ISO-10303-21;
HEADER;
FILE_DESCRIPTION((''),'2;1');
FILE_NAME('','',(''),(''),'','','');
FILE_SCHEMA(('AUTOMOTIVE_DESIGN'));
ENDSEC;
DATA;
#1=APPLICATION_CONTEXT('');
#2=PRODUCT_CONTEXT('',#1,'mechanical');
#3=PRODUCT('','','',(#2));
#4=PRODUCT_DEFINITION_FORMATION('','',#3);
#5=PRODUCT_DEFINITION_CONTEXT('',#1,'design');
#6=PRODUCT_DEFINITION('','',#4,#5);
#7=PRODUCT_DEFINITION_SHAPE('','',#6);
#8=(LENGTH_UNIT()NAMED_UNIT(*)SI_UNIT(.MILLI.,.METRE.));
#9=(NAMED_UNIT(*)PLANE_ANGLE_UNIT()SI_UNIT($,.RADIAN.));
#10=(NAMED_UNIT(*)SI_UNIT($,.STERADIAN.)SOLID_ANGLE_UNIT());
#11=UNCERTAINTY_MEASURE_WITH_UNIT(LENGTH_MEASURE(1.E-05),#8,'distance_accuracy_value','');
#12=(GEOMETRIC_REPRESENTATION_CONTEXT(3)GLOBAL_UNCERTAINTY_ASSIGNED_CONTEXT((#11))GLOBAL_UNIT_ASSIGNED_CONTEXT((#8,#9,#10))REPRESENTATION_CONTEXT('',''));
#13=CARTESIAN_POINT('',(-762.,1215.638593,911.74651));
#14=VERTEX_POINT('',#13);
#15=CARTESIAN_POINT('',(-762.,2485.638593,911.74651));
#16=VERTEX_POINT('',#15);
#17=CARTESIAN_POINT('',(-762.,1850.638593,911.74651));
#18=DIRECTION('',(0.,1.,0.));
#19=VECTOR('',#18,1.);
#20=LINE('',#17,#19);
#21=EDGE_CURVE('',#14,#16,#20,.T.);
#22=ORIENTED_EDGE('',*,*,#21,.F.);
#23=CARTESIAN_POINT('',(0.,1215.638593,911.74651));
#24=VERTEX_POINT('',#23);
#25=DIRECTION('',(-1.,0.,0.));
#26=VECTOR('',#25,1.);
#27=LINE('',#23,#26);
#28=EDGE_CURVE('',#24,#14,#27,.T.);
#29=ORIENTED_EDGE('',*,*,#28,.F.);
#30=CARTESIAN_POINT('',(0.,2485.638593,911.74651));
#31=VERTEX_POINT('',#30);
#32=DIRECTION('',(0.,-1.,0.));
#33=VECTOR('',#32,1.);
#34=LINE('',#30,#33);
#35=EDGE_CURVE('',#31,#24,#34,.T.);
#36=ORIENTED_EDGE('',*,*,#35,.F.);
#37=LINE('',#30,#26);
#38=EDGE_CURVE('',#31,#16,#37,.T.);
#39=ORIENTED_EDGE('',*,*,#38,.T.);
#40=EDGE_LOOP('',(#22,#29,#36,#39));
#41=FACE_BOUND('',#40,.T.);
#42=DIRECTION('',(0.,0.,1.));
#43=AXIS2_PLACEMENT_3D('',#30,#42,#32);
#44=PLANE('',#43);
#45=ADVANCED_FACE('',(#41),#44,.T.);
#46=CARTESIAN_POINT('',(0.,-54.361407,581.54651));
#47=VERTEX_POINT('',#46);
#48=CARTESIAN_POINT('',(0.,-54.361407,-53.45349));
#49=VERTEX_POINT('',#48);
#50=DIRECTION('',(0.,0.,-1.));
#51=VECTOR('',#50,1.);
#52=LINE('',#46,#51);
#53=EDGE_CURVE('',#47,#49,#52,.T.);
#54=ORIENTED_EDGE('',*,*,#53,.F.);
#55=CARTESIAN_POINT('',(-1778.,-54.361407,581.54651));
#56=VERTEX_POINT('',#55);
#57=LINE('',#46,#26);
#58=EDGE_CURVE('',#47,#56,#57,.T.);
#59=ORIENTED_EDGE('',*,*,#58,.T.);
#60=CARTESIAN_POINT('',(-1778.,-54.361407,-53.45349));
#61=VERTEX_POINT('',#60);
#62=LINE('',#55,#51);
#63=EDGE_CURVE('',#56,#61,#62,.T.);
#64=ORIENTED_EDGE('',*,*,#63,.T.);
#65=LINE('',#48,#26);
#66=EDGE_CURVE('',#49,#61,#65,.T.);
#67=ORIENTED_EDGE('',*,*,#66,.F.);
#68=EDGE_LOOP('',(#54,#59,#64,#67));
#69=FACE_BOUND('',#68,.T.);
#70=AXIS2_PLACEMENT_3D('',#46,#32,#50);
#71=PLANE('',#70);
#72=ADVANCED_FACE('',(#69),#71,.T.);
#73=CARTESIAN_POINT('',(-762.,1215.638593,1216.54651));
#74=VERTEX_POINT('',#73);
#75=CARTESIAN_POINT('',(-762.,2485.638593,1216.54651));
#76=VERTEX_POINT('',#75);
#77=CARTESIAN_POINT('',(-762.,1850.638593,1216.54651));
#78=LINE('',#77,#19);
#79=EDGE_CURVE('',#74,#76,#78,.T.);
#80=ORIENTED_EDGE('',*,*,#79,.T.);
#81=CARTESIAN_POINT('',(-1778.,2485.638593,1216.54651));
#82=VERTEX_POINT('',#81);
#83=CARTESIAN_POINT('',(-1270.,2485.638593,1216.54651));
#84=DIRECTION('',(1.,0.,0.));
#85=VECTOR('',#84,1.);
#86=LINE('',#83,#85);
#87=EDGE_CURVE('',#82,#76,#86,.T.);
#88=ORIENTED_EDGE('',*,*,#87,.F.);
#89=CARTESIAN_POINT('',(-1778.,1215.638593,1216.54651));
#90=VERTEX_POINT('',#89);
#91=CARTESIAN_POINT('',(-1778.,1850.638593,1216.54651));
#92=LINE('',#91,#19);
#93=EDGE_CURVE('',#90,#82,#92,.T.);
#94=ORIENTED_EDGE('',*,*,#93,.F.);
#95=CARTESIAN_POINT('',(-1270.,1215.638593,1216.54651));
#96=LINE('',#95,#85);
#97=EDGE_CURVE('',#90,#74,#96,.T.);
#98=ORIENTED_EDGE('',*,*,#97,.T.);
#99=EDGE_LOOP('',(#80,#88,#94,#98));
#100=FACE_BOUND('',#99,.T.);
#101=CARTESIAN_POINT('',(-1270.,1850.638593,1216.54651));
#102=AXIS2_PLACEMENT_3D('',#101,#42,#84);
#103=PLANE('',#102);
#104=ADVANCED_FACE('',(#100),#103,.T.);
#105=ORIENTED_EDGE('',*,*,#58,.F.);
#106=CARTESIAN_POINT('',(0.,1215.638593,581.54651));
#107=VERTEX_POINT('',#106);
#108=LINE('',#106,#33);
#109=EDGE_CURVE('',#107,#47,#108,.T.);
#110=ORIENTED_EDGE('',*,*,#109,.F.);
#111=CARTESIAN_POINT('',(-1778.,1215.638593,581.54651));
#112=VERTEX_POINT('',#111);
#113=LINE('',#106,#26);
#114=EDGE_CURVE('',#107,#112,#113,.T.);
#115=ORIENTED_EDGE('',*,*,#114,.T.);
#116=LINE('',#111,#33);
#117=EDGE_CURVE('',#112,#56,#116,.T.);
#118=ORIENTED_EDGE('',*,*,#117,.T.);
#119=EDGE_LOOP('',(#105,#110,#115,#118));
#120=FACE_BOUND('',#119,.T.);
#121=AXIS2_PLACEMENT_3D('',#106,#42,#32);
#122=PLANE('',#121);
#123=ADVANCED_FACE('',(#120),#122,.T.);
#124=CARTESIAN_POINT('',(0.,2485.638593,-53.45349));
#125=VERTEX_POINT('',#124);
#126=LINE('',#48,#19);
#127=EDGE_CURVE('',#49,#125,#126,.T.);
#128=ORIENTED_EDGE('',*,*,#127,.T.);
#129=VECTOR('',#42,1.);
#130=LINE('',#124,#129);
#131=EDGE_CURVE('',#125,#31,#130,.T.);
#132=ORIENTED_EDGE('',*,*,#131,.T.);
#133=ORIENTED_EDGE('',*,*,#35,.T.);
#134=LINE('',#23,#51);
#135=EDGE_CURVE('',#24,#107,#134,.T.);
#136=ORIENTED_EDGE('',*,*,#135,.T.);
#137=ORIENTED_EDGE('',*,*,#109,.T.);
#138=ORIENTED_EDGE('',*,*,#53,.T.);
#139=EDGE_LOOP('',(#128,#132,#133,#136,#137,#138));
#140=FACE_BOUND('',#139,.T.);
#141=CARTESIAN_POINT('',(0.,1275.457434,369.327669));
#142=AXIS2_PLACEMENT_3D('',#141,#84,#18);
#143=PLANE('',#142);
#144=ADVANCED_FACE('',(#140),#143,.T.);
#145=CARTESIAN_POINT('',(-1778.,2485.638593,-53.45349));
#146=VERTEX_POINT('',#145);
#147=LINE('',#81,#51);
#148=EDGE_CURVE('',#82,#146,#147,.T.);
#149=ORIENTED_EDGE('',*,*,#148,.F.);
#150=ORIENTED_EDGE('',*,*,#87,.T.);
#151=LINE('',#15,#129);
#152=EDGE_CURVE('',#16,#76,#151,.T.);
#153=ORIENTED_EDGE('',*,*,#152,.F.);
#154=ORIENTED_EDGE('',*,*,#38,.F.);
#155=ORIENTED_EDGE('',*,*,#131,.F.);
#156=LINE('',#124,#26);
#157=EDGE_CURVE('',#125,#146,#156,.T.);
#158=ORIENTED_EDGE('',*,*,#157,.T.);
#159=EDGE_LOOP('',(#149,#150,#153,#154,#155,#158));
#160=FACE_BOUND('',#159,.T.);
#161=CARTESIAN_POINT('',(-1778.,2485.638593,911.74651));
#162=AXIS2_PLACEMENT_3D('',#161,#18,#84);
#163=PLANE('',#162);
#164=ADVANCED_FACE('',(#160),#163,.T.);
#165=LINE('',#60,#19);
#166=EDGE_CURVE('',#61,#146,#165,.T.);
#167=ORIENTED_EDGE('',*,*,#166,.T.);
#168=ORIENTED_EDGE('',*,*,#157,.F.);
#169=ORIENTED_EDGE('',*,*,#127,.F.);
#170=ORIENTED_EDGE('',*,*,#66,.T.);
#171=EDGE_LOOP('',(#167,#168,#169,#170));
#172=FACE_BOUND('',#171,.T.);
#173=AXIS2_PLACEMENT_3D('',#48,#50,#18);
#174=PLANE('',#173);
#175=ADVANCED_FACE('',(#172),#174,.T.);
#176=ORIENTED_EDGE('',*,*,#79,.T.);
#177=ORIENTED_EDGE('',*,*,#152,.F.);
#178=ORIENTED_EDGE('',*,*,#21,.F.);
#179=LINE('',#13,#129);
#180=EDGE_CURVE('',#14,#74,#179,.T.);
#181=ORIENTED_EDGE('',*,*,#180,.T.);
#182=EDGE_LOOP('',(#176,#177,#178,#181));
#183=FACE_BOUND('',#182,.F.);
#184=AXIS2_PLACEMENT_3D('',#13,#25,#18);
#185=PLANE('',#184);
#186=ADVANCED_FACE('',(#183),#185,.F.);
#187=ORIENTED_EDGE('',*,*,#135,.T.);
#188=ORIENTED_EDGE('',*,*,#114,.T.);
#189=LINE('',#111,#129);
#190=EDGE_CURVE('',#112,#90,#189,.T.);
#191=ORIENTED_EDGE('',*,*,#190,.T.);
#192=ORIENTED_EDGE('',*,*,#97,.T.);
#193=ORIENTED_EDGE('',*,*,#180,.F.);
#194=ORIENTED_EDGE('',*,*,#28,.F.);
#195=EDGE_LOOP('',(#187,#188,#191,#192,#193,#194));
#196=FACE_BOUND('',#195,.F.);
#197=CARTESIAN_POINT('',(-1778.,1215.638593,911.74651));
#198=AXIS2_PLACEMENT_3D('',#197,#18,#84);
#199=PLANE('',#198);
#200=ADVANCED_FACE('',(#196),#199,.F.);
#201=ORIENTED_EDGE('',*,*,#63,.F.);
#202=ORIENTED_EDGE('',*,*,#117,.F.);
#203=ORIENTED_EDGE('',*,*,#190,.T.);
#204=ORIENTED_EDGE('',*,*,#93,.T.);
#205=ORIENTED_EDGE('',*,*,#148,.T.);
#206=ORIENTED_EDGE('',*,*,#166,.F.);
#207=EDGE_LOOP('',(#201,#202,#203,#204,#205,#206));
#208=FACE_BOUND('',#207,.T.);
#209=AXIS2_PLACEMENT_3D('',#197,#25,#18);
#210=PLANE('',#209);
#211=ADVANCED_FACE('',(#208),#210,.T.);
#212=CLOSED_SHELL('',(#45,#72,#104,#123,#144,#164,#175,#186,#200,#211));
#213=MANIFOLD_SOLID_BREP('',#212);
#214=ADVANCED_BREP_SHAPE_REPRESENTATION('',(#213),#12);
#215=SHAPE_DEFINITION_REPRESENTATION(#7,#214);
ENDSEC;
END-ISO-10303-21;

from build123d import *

# Parameters (mm, degrees)
F1_DEPTH = 1778
F2_W     = 1016
F2_H     = 1270
F3_DEPTH = 304.8


with BuildPart() as f1:
    # F0 (on Right) → F1 (new body)
    with BuildSketch(Plane.YZ):
        Polygon((-54.361407, 581.54651), (-54.361407, -53.45349), (2485.638593, -53.45349), (2485.638593, 911.74651), (1215.638593, 911.74651), (1215.638593, 581.54651), align=None)
    extrude(amount=-F1_DEPTH)

    # F2 (on face) → F3 (join)
    with BuildSketch(Plane.XY.offset(911.74651)):
        with Locations((-1270, 1850.638593)):
            Rectangle(F2_W, F2_H)
    extrude(amount=F3_DEPTH)


solid = f1.part
